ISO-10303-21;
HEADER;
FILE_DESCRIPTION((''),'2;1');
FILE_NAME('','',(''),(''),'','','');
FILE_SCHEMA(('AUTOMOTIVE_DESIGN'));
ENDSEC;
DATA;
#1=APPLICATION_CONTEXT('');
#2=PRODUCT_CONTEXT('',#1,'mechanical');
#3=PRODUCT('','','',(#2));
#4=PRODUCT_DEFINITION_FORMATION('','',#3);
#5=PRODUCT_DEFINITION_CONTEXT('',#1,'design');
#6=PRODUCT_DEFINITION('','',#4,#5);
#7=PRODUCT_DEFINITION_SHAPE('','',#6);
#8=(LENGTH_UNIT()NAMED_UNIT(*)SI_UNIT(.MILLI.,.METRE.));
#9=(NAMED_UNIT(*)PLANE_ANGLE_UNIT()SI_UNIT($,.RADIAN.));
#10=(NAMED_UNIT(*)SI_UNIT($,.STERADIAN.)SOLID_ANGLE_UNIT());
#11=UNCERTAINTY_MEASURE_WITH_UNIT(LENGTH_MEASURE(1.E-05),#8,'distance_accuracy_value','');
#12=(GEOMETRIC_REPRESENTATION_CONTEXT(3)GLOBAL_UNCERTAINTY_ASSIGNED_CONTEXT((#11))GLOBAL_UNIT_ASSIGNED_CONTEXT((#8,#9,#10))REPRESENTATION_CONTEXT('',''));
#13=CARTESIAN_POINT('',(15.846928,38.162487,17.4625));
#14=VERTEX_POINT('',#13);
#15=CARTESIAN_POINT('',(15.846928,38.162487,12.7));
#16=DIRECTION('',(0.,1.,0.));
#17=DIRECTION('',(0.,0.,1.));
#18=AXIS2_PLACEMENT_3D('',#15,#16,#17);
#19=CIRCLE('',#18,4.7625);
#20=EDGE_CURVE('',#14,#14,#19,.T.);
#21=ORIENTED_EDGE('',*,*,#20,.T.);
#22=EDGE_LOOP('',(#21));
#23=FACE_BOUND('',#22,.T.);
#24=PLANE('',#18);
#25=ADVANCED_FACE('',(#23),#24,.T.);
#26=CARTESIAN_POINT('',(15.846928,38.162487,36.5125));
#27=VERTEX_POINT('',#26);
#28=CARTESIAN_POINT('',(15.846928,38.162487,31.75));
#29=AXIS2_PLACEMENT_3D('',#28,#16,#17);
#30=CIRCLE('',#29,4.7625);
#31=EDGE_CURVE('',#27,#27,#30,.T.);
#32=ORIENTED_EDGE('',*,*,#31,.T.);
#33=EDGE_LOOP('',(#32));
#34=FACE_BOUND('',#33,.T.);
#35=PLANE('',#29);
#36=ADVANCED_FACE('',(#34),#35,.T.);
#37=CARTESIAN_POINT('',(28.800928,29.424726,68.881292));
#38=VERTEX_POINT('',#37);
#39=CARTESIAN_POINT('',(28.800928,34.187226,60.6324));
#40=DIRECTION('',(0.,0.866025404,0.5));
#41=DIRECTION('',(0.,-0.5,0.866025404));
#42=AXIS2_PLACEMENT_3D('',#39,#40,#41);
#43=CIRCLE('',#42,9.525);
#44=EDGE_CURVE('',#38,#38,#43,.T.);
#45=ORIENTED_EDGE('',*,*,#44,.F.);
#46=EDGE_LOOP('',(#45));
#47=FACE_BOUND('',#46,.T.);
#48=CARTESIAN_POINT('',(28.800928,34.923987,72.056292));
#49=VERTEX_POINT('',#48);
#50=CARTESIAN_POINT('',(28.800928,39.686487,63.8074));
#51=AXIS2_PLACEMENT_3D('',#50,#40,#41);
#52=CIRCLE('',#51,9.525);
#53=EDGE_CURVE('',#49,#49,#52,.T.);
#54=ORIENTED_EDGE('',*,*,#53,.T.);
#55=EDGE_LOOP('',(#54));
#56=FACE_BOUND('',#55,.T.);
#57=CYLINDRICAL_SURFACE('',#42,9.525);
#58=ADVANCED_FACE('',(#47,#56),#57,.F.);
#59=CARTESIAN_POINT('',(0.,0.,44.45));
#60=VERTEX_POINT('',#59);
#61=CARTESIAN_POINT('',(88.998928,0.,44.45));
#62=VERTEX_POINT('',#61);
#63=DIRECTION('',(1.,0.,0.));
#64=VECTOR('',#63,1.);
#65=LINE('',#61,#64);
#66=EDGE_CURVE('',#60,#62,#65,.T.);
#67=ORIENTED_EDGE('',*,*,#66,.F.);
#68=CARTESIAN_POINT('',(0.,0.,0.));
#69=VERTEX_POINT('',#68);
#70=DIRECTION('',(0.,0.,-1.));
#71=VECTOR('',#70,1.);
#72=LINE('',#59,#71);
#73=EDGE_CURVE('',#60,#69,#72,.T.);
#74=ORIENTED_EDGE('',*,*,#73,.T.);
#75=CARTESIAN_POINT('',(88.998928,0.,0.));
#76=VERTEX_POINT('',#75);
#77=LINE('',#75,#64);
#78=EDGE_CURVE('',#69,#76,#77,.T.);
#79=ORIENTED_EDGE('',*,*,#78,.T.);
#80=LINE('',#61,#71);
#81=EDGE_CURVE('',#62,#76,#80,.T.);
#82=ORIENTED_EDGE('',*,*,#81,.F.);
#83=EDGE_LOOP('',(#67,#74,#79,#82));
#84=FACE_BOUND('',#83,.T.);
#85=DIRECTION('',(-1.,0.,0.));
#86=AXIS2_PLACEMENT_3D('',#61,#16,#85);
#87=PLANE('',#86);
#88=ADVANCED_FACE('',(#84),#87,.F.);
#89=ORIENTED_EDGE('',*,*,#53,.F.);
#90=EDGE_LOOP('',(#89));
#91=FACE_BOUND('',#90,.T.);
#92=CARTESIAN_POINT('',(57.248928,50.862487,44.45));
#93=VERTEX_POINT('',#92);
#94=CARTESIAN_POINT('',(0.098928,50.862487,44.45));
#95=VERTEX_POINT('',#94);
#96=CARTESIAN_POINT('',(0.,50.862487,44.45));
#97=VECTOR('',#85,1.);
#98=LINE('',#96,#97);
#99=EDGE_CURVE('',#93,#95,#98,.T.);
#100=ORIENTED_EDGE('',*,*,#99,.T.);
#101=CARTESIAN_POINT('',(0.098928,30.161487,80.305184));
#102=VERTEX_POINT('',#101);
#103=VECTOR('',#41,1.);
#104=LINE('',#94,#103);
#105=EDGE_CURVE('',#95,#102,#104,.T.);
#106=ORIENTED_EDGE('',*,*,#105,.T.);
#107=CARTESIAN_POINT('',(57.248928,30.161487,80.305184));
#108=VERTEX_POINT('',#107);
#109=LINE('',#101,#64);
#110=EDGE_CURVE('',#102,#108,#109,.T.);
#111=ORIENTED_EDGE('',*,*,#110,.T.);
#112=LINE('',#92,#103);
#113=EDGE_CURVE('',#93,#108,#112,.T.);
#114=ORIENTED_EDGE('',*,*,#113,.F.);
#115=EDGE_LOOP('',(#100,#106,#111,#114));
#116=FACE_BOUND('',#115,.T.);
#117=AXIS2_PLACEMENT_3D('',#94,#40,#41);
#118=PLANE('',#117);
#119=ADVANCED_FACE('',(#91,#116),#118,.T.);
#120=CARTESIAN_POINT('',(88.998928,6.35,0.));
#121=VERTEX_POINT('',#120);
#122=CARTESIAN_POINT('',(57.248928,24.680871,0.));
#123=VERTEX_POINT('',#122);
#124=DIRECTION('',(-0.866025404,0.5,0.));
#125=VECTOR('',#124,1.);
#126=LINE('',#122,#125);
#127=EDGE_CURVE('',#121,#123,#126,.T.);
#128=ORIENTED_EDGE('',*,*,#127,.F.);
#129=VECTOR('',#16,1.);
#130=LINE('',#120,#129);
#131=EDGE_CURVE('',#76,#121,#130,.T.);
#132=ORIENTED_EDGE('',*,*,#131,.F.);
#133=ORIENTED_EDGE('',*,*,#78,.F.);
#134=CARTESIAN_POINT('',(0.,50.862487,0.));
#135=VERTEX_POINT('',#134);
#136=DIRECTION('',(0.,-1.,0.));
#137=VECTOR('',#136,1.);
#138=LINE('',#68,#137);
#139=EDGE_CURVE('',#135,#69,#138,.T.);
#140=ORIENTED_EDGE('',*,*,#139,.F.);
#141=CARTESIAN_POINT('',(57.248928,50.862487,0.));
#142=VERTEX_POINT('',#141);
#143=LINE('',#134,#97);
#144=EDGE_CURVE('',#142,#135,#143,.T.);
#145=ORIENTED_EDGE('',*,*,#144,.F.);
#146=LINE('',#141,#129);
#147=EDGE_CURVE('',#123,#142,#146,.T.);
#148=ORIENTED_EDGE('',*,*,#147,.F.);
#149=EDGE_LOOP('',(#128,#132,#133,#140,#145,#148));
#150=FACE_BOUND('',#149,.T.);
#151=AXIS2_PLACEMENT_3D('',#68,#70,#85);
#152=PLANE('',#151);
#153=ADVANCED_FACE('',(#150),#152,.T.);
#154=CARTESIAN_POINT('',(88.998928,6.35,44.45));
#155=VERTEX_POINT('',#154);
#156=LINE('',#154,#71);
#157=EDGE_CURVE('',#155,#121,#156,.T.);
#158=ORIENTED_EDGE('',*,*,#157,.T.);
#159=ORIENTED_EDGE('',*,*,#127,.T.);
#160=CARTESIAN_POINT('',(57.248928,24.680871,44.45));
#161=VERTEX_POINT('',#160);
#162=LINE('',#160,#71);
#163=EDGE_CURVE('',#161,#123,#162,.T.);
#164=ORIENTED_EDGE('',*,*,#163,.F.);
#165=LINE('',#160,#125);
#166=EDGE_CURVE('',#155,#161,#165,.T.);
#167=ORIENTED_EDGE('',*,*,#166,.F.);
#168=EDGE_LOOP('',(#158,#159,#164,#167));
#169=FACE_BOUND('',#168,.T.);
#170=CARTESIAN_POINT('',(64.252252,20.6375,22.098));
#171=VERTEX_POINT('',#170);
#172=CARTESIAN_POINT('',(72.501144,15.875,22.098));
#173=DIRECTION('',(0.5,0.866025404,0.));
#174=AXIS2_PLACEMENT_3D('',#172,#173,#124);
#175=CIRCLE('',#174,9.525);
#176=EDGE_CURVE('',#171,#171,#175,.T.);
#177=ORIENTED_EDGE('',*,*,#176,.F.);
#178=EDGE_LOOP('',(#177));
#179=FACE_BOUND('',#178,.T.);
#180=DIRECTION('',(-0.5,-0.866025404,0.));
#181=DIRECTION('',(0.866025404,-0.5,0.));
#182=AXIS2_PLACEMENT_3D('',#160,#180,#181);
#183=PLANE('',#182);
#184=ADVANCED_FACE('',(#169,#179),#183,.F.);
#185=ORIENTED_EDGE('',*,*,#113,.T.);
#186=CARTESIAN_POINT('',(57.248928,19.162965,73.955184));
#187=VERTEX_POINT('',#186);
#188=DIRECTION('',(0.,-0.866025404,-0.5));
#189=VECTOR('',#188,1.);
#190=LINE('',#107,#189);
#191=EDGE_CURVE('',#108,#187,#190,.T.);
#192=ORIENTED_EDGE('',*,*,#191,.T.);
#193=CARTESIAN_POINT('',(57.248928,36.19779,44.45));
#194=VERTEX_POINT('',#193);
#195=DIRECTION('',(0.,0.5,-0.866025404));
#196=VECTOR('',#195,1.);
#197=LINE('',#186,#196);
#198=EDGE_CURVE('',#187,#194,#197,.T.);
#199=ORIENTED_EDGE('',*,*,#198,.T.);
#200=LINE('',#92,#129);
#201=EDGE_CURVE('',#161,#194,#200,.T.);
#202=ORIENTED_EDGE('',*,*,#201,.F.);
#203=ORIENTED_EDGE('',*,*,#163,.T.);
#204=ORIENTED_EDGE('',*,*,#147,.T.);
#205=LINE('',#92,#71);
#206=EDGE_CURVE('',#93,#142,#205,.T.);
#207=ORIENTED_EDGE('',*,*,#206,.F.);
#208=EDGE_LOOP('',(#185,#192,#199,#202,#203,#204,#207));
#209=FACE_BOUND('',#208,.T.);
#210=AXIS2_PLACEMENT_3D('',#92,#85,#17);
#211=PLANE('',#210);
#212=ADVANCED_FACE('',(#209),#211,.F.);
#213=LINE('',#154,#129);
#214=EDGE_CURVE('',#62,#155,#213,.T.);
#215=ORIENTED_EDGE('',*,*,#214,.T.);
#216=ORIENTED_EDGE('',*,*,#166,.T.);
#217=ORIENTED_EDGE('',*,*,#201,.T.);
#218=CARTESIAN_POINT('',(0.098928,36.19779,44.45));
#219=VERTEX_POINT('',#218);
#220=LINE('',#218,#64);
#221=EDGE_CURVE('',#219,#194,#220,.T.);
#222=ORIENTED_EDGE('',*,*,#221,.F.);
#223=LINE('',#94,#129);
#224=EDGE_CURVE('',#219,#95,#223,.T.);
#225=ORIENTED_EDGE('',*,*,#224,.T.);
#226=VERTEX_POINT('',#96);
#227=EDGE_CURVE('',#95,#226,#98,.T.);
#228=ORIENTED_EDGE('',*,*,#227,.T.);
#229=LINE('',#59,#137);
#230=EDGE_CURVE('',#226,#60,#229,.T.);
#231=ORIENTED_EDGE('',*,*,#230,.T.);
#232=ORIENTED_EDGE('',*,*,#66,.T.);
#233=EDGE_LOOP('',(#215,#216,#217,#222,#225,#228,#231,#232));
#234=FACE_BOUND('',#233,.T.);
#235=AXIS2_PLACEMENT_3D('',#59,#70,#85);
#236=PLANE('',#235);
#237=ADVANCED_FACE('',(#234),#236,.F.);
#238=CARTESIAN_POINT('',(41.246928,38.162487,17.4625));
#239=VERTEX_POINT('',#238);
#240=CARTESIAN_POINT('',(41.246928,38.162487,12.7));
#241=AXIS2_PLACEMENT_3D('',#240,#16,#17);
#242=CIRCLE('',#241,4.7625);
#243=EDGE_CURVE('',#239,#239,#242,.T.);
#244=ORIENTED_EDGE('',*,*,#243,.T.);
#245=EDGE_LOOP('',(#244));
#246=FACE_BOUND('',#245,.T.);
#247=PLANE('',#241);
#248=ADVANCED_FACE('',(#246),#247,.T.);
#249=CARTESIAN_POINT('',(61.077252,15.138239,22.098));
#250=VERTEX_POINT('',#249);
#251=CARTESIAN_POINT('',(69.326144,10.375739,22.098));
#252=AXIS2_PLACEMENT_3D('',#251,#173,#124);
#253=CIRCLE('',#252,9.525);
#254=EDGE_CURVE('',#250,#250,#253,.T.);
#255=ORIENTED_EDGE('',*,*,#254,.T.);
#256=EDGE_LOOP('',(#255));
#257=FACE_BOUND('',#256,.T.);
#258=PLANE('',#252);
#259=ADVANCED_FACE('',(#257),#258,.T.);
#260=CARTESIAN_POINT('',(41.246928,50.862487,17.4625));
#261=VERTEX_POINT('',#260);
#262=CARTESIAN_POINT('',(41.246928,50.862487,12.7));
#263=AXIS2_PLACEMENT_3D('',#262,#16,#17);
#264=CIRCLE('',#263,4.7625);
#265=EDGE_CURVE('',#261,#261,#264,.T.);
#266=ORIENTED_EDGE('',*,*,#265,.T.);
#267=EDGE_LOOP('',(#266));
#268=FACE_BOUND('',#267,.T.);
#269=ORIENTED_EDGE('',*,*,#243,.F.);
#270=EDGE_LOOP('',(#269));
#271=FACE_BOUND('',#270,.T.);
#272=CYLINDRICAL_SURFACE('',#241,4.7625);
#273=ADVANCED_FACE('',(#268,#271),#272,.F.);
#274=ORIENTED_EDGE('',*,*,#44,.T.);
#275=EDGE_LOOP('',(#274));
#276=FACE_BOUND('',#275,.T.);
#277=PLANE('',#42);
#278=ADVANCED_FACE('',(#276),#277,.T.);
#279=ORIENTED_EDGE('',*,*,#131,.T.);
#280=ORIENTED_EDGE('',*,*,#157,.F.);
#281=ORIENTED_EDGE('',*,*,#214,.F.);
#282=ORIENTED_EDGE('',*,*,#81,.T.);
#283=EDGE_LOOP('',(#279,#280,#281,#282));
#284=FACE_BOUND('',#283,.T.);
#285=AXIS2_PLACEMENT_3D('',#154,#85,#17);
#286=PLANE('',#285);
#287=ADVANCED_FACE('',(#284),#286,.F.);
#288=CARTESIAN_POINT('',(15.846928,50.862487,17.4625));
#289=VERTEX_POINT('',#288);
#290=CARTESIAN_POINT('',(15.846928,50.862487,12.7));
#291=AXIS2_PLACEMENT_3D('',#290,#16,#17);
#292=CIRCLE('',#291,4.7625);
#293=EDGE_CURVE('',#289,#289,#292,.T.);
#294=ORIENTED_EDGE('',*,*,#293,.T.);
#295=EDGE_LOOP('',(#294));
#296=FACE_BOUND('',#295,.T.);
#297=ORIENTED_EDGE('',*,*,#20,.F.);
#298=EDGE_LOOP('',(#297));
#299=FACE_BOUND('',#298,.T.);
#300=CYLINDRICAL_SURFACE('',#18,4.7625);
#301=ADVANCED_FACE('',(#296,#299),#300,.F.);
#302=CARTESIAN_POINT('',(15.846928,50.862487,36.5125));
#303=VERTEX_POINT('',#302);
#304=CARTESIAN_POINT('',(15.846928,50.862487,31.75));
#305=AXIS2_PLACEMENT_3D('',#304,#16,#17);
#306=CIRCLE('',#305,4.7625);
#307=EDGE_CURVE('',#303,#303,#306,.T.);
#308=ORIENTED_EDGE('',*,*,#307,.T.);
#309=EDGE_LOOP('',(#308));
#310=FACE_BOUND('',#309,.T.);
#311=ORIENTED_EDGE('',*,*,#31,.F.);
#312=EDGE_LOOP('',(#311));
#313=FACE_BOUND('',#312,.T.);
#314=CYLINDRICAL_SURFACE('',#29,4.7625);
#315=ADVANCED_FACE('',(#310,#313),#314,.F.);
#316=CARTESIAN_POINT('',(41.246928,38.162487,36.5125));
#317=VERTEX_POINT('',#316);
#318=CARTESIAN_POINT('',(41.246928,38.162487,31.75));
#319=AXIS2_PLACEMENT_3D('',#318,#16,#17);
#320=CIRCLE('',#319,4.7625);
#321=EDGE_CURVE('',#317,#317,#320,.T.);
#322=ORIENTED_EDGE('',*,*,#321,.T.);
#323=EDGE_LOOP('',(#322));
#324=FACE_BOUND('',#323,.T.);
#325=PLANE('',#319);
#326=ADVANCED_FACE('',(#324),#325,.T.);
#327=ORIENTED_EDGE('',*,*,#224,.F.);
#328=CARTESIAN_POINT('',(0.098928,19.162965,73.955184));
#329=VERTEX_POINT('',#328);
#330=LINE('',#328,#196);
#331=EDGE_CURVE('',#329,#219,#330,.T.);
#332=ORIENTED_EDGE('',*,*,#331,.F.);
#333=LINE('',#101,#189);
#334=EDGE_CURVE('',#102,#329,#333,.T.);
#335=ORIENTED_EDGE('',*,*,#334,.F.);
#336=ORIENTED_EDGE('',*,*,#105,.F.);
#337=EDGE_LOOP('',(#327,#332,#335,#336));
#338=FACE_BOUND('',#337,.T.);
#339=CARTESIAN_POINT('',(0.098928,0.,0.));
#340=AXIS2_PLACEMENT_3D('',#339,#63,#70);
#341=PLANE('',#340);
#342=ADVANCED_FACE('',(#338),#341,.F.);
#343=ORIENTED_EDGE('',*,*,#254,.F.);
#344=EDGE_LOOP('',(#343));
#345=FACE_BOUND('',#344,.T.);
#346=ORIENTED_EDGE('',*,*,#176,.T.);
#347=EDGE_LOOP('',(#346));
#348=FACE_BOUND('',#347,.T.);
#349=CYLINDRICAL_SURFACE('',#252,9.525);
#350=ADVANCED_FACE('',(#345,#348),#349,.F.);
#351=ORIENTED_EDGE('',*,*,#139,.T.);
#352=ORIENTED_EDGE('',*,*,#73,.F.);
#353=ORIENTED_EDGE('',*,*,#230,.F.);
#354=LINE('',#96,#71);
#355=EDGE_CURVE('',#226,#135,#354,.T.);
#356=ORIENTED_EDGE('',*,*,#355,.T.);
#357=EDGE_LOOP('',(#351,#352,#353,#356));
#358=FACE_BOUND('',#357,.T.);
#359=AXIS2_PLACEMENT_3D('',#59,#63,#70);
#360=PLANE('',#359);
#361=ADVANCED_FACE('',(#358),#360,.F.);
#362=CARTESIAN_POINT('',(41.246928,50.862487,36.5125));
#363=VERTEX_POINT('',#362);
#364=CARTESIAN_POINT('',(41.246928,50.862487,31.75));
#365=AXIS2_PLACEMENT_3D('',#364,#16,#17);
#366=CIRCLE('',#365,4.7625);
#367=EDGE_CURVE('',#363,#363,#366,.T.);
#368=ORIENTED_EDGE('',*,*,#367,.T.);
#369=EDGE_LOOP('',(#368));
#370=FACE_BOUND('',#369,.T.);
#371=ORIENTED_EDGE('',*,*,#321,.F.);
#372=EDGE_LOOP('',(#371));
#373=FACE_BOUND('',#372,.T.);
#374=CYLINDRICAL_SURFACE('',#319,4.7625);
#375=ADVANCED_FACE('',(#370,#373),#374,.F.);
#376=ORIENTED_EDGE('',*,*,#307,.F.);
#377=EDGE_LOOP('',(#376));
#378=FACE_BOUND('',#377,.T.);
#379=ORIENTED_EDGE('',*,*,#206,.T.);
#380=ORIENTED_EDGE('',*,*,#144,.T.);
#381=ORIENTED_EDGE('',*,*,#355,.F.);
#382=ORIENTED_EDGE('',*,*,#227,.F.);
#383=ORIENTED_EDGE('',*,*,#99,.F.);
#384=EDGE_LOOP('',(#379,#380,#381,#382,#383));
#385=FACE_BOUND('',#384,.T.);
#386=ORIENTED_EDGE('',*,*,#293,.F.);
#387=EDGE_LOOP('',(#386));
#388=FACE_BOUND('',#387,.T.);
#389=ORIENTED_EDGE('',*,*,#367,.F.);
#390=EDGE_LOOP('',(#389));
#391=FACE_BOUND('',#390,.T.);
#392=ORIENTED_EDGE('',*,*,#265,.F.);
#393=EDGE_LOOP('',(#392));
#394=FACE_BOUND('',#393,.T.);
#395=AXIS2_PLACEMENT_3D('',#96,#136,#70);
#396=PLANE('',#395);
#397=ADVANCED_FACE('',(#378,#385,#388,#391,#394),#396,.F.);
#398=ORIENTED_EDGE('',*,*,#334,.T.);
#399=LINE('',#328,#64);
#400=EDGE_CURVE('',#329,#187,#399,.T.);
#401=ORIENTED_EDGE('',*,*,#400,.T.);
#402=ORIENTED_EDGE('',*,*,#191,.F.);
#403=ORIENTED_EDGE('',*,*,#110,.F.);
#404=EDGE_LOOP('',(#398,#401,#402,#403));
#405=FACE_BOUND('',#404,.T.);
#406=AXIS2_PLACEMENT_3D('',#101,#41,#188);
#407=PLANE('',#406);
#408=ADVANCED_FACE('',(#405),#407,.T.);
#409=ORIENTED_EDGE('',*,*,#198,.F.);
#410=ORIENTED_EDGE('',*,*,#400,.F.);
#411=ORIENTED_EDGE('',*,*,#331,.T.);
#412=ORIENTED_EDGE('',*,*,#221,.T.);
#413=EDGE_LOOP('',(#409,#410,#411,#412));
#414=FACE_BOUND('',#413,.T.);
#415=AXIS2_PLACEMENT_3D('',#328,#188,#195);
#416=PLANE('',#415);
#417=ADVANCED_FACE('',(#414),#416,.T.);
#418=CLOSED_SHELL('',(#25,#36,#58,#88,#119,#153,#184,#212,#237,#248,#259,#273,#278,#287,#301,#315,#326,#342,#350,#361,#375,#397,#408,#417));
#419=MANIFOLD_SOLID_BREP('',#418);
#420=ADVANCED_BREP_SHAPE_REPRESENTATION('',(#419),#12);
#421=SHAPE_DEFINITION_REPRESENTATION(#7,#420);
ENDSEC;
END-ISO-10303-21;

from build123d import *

# Parameters (mm, degrees)
BOSS_EXTRUDE1_DEPTH = 44.45
BOSS_EXTRUDE2_DEPTH = 57.15
SKETCH5_R           = 9.525
CUT_EXTRUDE1_DEPTH  = 6.35
SKETCH6_R           = 9.525
CUT_EXTRUDE2_DEPTH  = 6.35
SKETCH7_R           = 4.7625
CUT_EXTRUDE3_DEPTH  = 12.7


with BuildPart() as part:
    # Sketch1 → Boss-Extrude1 (new body)
    with BuildSketch(Plane.XY):
        Polygon((0, 0), (0, 50.862487244), (57.248927697, 50.862487244), (57.248927697, 24.680871047), (88.998927697, 6.35), (88.998927697, 0), align=None)
    extrude(amount=BOSS_EXTRUDE1_DEPTH)

    # Sketch2 → Boss-Extrude2 (add)
    with BuildSketch(Plane(origin=(57.248927697, 0, 0), x_dir=(0, 0, -1), z_dir=(1, 0, 0))):
        Polygon((-44.45, 50.862487244), (-80.305183767, 30.161487244), (-73.955183767, 19.162964616), (-44.45, 36.197790407), align=None)
    extrude(amount=-BOSS_EXTRUDE2_DEPTH)

    # Sketch5 → Cut-Extrude1 (cut)
    with BuildSketch(Plane(origin=(0, 57.394280032, 33.136603026), x_dir=(1, 0, 0), z_dir=(0, 0.866025404, 0.5))):
        with Locations((28.800927697, -35.415585576)):
            Circle(SKETCH5_R)
    extrude(amount=-CUT_EXTRUDE1_DEPTH, mode=Mode.SUBTRACT)

    # Sketch6 → Cut-Extrude2 (cut)
    with BuildSketch(Plane(origin=(24.999362581, 43.300166148, 0), x_dir=(0.866025404, -0.5, 0), z_dir=(0.5, 0.866025404, 0))):
        with Locations((54.850332296, -22.098)):
            Circle(SKETCH6_R)
    extrude(amount=-CUT_EXTRUDE2_DEPTH, mode=Mode.SUBTRACT)

    # Sketch7 → Cut-Extrude3 (cut)
    with BuildSketch(Plane(origin=(0, 50.862487244, 0), x_dir=(1, 0, 0), z_dir=(0, 1, 0))):
        with Locations((15.846927697, -12.7)):
            Circle(SKETCH7_R)
        with Locations((15.846927697, -31.75)):
            Circle(SKETCH7_R)
        with Locations((41.246927697, -31.75)):
            Circle(SKETCH7_R)
        with Locations((41.246927697, -12.7)):
            Circle(SKETCH7_R)
    extrude(amount=-CUT_EXTRUDE3_DEPTH, mode=Mode.SUBTRACT)


solid = part.part
